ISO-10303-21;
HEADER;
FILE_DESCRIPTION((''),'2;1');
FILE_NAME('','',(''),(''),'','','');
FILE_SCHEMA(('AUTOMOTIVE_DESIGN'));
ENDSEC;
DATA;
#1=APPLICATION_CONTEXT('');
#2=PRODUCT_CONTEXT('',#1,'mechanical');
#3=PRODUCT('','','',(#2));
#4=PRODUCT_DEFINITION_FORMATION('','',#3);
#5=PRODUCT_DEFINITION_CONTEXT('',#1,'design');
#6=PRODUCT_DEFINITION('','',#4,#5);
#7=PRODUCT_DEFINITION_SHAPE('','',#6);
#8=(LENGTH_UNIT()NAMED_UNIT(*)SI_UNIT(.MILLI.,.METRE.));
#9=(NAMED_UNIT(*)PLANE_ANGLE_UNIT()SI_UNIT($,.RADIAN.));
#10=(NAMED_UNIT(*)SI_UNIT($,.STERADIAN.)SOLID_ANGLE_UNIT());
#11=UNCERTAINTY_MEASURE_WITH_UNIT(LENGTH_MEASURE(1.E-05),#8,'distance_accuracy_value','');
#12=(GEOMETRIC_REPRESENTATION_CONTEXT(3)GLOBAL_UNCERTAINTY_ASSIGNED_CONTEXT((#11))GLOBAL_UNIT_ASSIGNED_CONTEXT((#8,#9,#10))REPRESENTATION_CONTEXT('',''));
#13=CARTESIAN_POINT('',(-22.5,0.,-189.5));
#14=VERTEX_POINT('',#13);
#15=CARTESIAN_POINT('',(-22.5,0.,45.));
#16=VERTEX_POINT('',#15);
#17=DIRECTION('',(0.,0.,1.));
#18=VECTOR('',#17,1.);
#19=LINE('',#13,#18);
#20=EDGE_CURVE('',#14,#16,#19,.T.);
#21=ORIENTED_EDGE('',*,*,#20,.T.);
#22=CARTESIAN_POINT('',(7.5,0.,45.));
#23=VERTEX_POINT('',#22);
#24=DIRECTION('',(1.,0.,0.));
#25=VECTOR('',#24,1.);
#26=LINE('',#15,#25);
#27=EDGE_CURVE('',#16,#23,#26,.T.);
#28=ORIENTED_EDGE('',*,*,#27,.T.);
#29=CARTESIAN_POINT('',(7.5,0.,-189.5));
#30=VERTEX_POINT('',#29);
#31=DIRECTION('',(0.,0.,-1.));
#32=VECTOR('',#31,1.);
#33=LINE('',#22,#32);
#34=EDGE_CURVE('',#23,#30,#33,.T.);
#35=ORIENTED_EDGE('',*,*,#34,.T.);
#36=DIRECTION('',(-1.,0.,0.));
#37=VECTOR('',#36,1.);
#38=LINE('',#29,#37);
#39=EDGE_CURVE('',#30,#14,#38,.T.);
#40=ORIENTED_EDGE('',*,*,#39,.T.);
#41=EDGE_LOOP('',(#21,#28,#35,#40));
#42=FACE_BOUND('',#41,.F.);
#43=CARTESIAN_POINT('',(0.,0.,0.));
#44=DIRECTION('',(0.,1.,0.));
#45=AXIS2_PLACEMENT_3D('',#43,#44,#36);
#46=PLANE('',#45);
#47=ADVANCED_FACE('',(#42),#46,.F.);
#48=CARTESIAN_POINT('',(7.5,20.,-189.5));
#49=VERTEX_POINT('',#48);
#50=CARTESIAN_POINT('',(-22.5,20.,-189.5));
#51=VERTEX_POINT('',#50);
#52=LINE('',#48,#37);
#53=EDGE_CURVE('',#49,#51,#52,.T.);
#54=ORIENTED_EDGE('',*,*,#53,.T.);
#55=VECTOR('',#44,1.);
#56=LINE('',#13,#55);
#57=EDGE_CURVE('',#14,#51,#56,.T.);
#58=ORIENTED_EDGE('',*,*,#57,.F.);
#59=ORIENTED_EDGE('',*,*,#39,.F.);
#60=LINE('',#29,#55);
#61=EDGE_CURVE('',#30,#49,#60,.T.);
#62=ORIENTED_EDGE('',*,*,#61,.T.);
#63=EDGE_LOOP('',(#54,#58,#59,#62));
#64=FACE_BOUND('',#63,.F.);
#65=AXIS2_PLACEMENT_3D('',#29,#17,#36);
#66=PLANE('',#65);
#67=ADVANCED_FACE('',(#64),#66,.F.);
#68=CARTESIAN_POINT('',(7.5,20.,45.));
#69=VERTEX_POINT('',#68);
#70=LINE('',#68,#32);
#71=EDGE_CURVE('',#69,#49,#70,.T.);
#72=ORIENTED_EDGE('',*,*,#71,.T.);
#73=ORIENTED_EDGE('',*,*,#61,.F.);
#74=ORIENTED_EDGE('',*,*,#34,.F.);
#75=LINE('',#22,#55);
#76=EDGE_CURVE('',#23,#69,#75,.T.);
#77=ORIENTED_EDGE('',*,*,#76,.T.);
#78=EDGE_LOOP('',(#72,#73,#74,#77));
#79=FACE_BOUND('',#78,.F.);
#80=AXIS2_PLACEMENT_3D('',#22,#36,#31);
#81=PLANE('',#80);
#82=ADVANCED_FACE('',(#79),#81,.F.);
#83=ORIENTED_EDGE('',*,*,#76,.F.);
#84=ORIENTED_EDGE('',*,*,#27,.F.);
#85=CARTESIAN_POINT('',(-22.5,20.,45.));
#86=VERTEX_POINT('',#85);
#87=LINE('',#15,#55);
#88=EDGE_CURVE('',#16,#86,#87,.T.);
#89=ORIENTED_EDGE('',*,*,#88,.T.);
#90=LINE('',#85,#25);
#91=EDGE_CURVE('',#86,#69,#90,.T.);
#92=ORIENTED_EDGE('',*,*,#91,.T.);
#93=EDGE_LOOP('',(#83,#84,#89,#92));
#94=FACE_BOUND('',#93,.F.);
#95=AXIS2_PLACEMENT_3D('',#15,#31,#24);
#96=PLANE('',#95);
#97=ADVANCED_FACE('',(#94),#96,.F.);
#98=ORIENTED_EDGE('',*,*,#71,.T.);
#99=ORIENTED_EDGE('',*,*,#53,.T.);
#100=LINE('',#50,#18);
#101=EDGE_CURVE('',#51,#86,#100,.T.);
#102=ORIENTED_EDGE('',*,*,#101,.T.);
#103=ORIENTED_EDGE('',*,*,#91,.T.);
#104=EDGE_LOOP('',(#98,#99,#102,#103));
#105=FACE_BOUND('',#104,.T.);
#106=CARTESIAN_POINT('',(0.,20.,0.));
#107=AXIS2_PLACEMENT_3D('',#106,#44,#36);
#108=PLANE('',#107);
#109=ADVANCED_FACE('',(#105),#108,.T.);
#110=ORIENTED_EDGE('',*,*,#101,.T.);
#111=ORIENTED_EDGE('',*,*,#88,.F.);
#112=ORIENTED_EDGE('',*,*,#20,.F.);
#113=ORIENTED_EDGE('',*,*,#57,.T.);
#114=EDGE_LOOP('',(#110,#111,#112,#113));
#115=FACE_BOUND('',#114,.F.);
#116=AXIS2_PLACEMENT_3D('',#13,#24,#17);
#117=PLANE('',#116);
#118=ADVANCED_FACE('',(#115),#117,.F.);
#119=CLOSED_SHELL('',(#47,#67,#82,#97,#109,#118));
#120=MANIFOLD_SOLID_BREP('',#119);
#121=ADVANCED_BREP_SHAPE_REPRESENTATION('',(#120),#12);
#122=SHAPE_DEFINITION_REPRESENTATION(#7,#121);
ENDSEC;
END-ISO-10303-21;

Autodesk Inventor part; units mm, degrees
ref_plane "YZ Plane" through (0, 0, 0) normal (1, 0, 0) x (0, 1, 0)
ref_plane "XZ Plane" through (0, 0, 0) normal (0, 1, 0) x (-1, 0, 0)
ref_plane "XY Plane" through (0, 0, 0) normal (0, 0, 1) x (1, 0, 0)
sketch "Sketch1" plane through (0, 0, 0) normal (0, 1, 0) x (-1, 0, 0)
  line L0 (22.5, 45) -> (-7.5, 45)
  line L1 (-7.5, 45) -> (-7.5, -189.5)
  line L2 (-7.5, -189.5) -> (22.5, -189.5)
  line L3 (22.5, -189.5) -> (22.5, 45)
  point P0 (0, 0)
  dimension "d0" = 30
  dimension "d1" = 234.5
extrude "Extrusion1" add sketch "Sketch1" along normal blind 20
properties part number "MotorNatazkaPodkladka"
